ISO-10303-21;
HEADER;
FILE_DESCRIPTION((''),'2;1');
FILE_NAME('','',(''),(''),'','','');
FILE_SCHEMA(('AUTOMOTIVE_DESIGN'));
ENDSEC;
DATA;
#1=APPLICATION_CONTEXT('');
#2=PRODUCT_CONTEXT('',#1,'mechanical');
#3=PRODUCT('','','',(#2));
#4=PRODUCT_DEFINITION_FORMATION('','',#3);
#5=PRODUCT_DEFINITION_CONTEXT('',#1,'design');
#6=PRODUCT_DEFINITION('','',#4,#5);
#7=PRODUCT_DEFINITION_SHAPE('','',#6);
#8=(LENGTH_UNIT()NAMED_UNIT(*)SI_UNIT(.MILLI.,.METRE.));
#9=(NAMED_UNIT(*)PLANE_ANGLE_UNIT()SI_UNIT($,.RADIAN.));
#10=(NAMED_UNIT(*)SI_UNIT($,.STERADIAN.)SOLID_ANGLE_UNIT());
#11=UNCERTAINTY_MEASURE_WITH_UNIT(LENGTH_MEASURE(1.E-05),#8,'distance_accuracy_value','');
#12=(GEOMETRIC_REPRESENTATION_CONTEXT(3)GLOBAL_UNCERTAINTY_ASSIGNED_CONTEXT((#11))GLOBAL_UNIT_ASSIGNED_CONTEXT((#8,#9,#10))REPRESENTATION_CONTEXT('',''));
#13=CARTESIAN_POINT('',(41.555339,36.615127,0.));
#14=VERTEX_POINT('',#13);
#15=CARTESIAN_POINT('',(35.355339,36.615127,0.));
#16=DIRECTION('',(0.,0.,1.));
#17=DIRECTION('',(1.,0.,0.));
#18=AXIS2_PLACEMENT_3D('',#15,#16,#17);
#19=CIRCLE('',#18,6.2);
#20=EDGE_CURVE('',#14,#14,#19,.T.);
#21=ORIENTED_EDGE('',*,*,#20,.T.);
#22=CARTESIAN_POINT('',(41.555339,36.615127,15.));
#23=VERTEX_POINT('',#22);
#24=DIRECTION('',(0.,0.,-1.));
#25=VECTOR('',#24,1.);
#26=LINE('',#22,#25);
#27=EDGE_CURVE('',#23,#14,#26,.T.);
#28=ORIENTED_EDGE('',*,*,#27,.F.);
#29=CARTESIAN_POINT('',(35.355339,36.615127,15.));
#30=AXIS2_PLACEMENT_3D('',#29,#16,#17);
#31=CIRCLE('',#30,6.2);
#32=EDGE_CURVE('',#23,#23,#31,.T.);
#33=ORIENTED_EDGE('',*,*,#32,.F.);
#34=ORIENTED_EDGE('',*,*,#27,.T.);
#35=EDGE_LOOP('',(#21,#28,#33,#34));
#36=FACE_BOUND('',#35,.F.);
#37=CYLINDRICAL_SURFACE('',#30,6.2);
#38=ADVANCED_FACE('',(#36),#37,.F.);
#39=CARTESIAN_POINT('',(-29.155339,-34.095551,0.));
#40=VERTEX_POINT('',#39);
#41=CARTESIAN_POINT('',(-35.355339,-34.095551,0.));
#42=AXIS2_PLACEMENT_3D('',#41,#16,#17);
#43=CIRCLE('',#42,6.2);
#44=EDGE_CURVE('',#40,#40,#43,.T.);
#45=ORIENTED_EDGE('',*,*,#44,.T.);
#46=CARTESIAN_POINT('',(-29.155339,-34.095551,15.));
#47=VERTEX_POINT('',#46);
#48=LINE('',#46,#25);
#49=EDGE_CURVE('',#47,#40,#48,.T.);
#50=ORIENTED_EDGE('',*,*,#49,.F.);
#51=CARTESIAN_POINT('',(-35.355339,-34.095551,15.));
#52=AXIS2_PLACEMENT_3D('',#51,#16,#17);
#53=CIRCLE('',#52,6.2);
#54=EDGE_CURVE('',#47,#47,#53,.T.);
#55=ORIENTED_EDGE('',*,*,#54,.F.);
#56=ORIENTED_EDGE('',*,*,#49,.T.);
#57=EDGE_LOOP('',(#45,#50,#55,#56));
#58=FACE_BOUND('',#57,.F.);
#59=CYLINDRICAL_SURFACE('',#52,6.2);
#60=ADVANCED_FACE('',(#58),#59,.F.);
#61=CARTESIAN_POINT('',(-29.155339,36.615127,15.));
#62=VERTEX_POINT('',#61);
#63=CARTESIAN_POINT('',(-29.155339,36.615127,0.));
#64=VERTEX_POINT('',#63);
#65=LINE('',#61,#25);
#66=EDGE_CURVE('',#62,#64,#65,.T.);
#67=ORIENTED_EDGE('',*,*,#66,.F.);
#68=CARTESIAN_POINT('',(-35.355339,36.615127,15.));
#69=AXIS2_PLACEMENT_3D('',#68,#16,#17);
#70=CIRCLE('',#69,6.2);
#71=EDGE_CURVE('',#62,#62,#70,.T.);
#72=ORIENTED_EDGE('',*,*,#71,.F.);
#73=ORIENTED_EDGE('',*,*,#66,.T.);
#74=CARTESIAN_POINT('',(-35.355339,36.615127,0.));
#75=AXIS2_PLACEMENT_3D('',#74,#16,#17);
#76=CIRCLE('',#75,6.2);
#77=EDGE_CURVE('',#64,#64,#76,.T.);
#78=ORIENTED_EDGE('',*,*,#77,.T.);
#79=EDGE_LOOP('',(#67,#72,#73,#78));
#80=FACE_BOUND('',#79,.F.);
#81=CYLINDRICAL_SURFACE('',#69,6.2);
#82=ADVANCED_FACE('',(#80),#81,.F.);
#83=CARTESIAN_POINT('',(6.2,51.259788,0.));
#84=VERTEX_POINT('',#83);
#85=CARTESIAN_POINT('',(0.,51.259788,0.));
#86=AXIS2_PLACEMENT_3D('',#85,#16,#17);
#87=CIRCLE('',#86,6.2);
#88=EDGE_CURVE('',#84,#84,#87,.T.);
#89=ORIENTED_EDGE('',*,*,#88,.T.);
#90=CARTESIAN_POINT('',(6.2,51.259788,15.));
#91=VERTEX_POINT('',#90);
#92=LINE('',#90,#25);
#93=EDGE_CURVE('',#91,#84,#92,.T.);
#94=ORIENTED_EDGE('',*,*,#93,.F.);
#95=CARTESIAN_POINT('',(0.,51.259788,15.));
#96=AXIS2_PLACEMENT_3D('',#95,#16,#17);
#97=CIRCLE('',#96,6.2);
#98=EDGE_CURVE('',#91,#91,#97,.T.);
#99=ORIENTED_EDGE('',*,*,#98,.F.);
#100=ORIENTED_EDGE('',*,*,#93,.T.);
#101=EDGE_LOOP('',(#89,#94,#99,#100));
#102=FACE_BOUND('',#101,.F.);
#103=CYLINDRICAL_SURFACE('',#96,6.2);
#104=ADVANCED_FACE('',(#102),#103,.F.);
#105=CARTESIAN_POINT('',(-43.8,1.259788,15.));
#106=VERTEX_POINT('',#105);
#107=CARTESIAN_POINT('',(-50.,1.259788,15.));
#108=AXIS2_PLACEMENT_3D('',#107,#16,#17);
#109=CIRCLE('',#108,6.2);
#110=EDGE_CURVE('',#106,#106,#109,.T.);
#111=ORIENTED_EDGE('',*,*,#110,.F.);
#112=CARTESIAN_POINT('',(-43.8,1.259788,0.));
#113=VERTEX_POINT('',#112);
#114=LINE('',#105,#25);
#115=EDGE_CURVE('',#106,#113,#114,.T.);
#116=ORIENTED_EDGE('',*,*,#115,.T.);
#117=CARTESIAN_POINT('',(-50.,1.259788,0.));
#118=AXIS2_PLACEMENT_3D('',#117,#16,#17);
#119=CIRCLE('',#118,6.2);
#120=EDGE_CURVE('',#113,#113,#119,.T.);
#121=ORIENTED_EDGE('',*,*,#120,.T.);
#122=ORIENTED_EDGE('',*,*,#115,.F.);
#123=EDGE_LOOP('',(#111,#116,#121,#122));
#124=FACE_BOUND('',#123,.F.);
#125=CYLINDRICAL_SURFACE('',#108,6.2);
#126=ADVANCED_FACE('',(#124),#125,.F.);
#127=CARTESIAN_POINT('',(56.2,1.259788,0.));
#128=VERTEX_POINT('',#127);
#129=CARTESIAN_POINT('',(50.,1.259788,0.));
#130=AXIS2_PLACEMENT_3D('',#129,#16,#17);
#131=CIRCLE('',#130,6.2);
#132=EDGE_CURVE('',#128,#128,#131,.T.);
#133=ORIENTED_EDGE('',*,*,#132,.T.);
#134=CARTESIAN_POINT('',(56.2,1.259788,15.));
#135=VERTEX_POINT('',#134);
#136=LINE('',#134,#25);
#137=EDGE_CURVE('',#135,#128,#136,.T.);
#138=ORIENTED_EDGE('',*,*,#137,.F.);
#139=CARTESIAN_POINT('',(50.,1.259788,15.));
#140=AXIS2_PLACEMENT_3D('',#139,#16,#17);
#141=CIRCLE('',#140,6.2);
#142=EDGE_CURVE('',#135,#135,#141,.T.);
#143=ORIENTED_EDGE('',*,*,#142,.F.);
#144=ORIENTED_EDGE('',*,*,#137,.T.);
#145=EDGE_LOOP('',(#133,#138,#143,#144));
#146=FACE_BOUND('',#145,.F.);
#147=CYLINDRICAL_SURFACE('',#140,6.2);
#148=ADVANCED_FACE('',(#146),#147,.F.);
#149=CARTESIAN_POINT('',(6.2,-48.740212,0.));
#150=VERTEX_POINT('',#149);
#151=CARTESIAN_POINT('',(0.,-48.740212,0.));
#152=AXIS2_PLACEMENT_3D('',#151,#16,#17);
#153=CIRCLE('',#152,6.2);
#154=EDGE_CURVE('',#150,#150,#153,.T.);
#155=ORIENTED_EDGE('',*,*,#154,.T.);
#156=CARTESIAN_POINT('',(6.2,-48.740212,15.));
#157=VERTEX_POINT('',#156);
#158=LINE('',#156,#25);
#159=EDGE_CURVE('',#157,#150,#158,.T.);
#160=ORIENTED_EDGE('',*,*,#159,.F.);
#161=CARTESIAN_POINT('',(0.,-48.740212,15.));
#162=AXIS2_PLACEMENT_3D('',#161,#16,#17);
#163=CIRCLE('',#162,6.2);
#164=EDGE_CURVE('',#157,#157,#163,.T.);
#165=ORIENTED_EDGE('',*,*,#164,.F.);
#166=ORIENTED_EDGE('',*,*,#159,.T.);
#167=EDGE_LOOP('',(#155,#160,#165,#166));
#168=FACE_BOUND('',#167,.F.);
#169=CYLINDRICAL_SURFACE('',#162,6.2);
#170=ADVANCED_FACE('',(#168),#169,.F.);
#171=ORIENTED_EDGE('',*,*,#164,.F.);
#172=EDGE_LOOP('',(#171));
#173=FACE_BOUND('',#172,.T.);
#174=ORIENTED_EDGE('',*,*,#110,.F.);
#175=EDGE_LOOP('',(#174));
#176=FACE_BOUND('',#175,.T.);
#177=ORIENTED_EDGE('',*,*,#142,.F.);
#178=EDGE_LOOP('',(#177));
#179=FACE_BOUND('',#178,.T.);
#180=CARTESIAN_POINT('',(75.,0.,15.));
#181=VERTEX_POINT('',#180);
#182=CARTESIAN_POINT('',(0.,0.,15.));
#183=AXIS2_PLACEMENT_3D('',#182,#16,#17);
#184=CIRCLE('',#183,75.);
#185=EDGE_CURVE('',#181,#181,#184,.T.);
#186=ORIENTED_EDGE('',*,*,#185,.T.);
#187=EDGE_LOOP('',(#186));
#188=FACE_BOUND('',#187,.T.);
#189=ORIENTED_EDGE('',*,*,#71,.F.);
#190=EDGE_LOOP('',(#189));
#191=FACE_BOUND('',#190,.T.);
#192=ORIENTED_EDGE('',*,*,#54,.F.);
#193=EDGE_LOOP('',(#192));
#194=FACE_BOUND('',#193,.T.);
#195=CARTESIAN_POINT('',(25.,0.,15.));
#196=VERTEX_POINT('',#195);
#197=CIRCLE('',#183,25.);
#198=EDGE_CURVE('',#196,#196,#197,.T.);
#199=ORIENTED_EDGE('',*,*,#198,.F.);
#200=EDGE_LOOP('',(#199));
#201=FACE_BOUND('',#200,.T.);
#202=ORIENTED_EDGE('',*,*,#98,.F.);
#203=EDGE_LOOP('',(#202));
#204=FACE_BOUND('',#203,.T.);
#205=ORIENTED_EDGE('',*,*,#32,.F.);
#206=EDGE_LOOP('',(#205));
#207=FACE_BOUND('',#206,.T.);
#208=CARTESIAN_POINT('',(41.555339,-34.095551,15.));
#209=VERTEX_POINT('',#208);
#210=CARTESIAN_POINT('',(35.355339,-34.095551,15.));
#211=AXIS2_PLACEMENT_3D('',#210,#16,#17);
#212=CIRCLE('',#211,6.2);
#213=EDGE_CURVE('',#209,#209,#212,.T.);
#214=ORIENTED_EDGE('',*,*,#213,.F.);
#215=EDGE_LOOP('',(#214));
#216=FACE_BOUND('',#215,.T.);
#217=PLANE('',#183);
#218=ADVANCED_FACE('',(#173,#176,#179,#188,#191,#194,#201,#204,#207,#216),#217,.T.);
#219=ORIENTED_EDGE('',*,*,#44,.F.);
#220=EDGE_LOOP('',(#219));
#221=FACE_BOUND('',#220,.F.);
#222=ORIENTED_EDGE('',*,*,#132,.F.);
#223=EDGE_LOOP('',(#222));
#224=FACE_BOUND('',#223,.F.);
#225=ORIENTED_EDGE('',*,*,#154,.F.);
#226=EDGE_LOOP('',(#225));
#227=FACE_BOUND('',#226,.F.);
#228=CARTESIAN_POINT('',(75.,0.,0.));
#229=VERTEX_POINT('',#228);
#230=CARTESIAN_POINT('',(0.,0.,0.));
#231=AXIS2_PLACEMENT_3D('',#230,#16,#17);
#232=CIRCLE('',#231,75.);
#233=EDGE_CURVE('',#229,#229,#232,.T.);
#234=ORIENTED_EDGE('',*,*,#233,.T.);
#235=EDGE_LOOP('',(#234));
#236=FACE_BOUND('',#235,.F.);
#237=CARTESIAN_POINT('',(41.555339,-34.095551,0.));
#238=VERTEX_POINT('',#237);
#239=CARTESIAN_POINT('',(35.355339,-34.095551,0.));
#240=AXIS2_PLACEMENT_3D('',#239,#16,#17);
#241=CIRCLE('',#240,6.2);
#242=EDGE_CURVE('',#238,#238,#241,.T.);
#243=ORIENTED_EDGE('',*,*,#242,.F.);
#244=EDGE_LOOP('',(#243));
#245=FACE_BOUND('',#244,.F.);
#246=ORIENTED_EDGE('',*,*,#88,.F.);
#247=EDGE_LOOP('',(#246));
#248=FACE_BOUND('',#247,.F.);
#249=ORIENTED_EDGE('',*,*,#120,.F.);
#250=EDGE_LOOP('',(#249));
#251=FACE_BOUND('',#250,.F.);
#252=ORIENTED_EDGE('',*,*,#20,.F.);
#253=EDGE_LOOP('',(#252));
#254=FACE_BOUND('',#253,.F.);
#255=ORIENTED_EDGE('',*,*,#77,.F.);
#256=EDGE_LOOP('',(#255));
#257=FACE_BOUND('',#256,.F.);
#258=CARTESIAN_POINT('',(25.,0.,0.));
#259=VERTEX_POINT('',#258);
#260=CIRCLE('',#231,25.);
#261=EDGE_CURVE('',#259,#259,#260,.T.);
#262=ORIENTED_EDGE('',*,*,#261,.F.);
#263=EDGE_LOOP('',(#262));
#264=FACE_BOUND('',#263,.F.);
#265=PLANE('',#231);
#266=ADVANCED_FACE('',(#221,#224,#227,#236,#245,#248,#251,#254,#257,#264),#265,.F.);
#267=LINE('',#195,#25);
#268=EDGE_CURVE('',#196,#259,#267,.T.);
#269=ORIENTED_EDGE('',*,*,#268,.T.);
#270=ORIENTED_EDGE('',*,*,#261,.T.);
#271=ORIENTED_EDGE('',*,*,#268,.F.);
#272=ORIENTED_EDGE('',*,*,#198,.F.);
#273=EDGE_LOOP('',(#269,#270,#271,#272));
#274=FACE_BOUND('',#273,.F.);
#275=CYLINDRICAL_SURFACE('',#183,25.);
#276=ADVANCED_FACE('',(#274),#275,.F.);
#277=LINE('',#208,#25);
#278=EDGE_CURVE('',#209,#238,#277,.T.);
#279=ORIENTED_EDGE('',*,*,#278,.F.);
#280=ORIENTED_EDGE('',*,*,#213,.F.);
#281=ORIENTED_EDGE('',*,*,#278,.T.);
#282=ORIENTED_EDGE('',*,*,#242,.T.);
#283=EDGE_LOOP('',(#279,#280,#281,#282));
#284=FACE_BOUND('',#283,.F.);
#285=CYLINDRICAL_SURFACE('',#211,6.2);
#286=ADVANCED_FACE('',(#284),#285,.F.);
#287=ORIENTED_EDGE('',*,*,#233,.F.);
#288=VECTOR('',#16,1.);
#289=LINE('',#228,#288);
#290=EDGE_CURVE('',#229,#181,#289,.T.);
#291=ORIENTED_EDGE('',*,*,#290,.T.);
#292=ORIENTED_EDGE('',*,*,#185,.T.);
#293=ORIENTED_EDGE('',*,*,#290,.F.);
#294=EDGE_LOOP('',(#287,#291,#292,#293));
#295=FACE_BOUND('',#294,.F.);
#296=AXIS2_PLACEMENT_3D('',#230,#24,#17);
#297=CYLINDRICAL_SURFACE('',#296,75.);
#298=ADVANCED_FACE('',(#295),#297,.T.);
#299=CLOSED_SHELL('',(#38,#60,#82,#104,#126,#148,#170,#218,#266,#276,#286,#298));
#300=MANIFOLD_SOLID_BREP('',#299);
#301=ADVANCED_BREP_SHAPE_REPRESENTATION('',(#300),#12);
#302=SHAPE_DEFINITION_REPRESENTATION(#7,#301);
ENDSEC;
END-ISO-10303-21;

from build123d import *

# Parameters (mm, degrees)
F0_R     = 75
F1_DEPTH = 15
F2_R     = 6.2
F3_DEPTH = 25
F4_R     = 25
F5_DEPTH = 25


with BuildPart() as f1:
    # F0 (on Top) → F1 (new body)
    with BuildSketch(Plane.XY):
        Circle(F0_R)
    extrude(amount=F1_DEPTH)

    # F2 (on face) → F3 (cut)
    with BuildSketch(Plane.XY.offset(15)):
        with Locations((0, 51.259788)):
            Circle(F2_R)
        with Locations((-35.355339, -34.095551)):
            Circle(F2_R)
        with Locations((-50, 1.259788)):
            Circle(F2_R)
        with Locations((-35.355339, 36.615127)):
            Circle(F2_R)
        with Locations((0, -48.740212)):
            Circle(F2_R)
        with Locations((35.355339, -34.095551)):
            Circle(F2_R)
        with Locations((50, 1.259788)):
            Circle(F2_R)
        with Locations((35.355339, 36.615127)):
            Circle(F2_R)
    extrude(amount=-F3_DEPTH, mode=Mode.SUBTRACT)

    # F4 (on face) → F5 (cut)
    with BuildSketch(Plane.XY.offset(15)):
        Circle(F4_R)
    extrude(amount=-F5_DEPTH, mode=Mode.SUBTRACT)


solid = f1.part
